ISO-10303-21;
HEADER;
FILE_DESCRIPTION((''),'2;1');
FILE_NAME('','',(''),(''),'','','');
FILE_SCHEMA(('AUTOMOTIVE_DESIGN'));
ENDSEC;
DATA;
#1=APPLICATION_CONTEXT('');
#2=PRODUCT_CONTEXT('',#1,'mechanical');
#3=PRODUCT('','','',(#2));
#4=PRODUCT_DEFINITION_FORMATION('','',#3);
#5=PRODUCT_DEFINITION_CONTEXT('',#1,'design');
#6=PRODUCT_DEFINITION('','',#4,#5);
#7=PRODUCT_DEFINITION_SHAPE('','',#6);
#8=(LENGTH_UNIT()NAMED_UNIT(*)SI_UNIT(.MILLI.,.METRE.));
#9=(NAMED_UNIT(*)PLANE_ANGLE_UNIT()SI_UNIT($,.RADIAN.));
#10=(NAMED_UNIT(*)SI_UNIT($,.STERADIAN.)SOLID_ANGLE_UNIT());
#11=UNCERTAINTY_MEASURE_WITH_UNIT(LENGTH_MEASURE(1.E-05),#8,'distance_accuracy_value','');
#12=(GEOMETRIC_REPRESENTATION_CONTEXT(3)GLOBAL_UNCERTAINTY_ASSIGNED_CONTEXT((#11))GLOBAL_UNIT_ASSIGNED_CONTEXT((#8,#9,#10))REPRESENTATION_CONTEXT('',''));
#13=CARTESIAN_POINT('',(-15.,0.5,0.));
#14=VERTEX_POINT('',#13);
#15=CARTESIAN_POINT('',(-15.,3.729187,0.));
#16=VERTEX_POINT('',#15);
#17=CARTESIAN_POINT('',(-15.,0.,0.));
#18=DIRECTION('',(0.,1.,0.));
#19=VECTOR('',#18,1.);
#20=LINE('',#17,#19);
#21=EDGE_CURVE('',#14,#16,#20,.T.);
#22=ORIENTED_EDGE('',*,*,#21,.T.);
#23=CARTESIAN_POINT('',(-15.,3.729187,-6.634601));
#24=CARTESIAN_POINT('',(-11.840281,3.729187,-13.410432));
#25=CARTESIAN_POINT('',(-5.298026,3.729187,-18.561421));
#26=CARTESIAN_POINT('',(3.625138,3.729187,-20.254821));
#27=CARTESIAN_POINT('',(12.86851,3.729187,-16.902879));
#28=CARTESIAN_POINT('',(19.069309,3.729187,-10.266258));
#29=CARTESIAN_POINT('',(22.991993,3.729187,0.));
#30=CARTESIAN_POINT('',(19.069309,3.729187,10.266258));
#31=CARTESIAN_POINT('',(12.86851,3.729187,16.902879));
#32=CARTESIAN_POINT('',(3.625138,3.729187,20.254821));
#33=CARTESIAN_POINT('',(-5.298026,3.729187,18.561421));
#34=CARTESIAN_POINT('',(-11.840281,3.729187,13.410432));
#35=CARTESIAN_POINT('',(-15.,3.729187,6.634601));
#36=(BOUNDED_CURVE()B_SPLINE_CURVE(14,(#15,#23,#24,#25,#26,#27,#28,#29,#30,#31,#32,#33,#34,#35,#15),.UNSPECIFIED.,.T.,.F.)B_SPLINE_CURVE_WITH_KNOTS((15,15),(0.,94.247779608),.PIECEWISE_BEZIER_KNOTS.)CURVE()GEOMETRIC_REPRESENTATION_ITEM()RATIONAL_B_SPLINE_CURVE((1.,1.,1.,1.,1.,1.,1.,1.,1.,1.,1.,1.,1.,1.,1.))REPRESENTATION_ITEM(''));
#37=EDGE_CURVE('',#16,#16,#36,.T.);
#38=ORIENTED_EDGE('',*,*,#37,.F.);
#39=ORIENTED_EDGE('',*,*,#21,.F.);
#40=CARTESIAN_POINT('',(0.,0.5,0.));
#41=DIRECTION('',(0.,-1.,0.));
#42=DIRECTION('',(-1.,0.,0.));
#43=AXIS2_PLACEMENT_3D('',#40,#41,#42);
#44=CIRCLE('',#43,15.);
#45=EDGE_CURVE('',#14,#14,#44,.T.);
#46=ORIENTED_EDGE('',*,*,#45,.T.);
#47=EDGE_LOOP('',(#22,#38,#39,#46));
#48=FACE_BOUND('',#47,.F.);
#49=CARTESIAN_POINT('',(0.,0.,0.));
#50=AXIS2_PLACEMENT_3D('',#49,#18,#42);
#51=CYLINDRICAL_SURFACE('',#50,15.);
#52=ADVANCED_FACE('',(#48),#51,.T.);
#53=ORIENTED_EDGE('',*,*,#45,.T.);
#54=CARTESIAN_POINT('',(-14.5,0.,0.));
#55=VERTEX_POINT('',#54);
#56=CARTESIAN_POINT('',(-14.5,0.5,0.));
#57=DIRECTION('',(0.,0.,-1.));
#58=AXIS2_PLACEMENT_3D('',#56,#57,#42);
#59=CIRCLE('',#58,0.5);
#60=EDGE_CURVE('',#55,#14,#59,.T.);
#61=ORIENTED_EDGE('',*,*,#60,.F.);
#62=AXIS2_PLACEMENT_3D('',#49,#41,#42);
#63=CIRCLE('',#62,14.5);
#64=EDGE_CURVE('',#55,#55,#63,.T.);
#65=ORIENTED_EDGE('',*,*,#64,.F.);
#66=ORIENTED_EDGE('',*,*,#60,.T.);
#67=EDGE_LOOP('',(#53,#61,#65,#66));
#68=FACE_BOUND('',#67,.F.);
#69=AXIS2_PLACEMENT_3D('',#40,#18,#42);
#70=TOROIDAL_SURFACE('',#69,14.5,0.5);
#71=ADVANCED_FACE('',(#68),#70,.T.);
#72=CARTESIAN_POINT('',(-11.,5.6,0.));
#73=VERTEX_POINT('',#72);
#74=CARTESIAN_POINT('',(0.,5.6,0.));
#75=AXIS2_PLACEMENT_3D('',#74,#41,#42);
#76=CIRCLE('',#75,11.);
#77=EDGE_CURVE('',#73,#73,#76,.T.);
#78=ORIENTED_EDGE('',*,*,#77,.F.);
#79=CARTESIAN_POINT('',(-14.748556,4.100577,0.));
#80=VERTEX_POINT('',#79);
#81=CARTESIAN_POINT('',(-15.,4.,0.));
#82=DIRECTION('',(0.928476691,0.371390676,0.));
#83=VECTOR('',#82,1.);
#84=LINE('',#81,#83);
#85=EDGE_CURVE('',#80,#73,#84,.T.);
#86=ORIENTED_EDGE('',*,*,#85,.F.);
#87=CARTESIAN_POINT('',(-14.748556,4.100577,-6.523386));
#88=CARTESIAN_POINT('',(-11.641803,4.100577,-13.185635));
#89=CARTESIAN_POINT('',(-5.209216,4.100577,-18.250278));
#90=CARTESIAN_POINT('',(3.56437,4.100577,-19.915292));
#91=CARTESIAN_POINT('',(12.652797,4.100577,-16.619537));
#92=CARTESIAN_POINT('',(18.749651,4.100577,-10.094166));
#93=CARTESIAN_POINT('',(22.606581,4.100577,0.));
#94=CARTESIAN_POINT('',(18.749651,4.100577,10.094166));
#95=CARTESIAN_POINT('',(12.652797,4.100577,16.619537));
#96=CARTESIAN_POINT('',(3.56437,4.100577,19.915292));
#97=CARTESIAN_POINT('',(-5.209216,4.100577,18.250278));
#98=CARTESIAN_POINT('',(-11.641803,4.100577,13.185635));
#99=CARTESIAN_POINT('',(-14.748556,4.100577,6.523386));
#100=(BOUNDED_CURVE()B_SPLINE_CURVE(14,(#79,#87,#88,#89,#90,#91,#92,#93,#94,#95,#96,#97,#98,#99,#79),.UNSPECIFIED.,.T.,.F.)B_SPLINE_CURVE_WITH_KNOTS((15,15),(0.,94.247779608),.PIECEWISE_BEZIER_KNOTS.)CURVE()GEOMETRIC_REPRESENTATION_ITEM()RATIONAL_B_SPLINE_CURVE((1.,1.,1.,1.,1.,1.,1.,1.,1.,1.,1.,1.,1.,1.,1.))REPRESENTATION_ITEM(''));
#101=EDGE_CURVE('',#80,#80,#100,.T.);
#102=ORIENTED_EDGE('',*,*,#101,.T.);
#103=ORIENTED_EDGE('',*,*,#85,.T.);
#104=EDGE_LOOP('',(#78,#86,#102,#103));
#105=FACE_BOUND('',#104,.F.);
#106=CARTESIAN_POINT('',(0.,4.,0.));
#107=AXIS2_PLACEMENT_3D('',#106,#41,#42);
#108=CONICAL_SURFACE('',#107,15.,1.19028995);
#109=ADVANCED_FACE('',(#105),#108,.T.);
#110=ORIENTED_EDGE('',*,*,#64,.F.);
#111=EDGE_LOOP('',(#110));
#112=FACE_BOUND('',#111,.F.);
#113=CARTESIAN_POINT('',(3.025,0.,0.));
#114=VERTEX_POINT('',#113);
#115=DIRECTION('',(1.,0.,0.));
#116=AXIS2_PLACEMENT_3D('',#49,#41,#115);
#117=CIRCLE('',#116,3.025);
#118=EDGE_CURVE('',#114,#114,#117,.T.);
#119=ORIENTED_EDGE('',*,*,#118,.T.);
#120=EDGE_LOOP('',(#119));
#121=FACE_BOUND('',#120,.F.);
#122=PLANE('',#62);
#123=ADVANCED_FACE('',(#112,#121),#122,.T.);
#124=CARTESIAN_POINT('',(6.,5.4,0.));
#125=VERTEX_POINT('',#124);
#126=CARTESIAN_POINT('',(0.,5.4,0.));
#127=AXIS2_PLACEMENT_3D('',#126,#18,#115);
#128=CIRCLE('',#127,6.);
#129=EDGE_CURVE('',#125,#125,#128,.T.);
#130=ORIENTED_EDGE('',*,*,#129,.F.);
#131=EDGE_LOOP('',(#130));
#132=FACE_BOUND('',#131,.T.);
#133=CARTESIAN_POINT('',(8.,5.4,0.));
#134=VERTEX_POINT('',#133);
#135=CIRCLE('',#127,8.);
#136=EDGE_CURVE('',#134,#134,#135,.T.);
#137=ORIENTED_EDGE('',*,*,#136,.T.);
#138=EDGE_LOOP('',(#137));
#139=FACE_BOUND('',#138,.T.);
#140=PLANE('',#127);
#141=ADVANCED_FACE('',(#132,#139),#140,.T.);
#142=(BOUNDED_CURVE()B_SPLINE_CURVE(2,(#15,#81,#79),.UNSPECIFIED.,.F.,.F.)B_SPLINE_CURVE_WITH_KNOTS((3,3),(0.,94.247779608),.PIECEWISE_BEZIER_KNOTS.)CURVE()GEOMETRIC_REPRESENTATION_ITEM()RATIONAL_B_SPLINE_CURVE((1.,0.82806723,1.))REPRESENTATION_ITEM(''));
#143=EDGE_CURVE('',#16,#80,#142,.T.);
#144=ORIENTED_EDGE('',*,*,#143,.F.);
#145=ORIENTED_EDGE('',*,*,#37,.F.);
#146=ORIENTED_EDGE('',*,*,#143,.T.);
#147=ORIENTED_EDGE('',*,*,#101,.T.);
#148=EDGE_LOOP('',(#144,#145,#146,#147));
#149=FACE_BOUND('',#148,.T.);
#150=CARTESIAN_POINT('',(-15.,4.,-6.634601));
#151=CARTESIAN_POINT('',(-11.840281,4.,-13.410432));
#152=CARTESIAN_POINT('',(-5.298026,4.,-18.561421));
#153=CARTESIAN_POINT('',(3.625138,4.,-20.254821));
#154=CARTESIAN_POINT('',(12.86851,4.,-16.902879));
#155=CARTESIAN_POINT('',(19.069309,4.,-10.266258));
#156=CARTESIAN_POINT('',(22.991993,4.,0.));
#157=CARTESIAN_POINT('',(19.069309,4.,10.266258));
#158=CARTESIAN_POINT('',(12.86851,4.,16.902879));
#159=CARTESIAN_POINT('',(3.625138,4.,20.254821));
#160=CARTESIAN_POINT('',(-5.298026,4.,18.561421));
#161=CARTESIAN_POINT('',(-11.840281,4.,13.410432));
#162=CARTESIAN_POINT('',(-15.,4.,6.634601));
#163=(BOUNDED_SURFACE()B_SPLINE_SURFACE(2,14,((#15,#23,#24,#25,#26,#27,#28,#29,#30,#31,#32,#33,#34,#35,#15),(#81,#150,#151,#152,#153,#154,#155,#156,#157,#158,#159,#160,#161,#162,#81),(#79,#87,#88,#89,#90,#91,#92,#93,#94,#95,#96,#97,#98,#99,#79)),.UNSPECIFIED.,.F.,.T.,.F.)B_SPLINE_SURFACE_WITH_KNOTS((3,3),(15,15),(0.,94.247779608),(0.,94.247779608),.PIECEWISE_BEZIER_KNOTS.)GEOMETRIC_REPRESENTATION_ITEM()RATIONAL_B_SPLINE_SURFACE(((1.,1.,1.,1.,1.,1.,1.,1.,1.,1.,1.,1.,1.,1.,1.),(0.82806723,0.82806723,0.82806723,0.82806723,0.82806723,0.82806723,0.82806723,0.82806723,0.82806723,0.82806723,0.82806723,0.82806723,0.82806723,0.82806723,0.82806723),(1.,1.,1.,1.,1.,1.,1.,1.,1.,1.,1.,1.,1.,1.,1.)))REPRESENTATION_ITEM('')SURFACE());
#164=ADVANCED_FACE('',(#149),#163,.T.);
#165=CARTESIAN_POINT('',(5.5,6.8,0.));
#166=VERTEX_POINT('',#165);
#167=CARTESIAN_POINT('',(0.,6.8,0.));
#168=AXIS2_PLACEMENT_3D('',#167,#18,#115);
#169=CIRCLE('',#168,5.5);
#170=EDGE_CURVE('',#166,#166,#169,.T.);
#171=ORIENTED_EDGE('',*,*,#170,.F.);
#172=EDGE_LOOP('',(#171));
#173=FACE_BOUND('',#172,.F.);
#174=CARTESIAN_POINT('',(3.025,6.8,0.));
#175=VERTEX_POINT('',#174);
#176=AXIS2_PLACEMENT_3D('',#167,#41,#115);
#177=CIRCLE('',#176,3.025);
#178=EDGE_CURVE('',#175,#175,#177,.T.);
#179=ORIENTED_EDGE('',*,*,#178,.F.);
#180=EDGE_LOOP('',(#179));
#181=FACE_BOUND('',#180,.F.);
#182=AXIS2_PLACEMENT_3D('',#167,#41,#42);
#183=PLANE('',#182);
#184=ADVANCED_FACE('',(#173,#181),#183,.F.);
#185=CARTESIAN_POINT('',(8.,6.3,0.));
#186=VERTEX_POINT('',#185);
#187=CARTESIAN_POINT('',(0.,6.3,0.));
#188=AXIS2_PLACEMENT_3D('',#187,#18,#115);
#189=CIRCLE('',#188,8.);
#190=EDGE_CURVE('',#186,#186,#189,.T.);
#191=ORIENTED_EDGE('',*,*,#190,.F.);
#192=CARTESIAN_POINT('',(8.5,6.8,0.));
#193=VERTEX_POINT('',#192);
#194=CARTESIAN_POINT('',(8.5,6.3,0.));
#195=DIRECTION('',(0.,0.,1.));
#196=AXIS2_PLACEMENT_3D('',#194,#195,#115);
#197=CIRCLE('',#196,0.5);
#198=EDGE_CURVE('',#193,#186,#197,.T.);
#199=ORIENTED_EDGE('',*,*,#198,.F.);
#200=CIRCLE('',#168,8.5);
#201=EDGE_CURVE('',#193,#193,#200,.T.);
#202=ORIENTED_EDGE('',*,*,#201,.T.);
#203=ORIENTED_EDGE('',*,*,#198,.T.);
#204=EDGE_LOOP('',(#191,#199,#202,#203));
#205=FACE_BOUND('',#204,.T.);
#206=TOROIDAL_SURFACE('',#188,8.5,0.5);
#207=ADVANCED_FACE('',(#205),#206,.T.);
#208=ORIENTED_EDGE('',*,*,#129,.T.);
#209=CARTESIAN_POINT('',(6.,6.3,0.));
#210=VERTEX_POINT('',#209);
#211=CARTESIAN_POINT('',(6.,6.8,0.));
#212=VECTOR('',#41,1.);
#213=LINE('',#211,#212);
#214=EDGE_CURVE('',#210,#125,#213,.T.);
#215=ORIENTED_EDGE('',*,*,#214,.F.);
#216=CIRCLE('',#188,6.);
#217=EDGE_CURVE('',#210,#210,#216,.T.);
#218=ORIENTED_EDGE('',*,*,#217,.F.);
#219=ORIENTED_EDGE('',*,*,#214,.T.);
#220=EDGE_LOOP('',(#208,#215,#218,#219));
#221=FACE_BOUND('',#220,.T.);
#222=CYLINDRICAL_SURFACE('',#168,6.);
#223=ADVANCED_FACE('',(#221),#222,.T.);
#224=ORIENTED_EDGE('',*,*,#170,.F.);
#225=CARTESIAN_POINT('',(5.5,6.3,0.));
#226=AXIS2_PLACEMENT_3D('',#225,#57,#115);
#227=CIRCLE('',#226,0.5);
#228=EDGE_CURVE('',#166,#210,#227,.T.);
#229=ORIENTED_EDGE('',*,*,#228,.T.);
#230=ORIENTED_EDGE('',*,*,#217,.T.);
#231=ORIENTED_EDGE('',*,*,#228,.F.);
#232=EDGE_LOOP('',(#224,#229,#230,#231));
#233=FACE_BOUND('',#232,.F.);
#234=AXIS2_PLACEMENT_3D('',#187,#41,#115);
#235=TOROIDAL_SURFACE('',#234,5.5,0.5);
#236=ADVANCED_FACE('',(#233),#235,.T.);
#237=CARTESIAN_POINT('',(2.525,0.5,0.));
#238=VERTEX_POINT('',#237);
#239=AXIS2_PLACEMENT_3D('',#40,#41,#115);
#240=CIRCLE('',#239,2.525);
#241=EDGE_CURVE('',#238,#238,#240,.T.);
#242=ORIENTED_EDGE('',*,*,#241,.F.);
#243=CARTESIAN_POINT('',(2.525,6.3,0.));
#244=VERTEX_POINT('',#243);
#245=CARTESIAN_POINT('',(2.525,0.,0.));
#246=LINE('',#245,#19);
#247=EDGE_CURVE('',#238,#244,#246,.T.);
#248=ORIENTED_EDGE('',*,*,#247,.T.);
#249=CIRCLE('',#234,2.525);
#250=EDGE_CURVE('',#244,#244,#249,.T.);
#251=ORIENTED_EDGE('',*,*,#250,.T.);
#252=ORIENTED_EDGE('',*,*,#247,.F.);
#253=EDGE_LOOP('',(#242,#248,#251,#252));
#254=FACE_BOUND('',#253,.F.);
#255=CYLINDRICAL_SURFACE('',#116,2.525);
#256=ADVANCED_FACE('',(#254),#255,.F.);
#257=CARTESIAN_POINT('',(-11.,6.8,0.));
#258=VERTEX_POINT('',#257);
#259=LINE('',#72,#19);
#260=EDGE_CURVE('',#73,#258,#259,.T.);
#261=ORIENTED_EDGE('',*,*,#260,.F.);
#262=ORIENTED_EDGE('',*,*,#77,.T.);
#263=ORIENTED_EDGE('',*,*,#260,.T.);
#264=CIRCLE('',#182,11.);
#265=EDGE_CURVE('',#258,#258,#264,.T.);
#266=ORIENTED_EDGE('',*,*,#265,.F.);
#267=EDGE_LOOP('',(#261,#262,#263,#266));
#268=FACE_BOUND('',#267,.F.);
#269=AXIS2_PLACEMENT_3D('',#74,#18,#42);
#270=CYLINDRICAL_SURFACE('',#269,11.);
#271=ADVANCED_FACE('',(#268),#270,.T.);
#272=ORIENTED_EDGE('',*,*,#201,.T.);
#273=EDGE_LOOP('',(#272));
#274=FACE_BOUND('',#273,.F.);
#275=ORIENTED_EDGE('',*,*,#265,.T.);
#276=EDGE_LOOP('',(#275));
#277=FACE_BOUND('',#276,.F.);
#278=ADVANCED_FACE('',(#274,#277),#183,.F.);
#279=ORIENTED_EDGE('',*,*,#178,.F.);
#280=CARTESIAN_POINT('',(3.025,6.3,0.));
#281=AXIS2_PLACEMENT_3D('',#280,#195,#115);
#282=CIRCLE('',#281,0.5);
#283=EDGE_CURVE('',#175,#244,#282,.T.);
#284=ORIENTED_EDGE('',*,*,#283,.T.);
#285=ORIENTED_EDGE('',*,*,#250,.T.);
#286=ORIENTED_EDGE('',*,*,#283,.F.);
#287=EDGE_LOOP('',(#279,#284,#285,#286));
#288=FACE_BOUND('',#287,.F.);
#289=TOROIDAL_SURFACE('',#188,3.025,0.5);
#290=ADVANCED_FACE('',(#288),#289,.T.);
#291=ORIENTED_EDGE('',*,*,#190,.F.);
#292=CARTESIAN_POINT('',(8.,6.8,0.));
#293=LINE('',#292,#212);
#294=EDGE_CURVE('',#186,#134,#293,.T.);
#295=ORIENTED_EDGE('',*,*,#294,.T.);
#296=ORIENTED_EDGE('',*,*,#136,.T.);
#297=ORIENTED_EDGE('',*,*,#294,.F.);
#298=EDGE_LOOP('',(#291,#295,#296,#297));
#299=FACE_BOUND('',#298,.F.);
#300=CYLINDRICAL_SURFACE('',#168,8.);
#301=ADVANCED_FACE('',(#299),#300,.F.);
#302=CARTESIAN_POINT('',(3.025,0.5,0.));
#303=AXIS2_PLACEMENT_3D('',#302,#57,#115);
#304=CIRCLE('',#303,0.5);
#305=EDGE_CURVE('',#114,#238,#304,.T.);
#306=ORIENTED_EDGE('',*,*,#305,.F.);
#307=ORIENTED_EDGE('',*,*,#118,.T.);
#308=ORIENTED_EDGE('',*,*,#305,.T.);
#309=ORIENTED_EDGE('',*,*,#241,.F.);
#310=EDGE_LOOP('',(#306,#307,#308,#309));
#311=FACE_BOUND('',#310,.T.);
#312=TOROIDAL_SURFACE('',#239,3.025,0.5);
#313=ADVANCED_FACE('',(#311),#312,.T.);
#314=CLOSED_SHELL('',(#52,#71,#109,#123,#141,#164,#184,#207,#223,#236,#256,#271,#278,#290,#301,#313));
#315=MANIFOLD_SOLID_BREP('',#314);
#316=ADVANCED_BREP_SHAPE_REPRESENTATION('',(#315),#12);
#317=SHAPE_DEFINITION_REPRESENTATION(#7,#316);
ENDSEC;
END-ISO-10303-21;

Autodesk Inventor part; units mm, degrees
ref_plane "YZ Plane" through (0, 0, 0) normal (1, 0, 0) x (0, 1, 0)
ref_plane "XZ Plane" through (0, 0, 0) normal (0, 1, 0) x (-1, 0, 0)
ref_plane "XY Plane" through (0, 0, 0) normal (0, 0, 1) x (1, 0, 0)
sketch "Sketch1" plane through (0, 0, 0) normal (0, 0, 1) x (1, 0, 0)
  line L0 (0, 0) -> (-15, 0)
  line L1 (-15, 0) -> (-15, 4)
  line L2 (-15, 4) -> (-11, 5.6)
  line L3 (-11, 5.6) -> (-11, 6.8)
  line L4 (-11, 6.8) -> (0, 6.8)
  line L5 (0, 6.8) -> (0, 0)
  dimension "d1" = 4
  dimension "d5" = 1.2
  dimension "d12" = 11
  dimension "d13" = 2.8
  dimension "d14" = 4
revolve "Revolution1" add sketch "Sketch1" angle 360 about axis through (0, 6.8, 0) along (0, -1, 0)
fillet "Fillet1" radius 0.5 1 edges at (15, 0, 0)
sketch "Sketch3" plane through (0, 0, 0) normal (0, -1, 0) x (1, 0, 0)
  circle A0 centre (0, 0) radius 2.525
  point P0 (0, 0)
  dimension "d15" = 5.05
extrude "Extrusion2" cut sketch "Sketch3" against normal up to surface (6.8 mm away)
fillet "Fillet2" radius 0.4 1 edges at (15, 4, 0)
sketch "Sketch4" plane through (0, 6.8, 0) normal (0, 1, 0) x (1, 0, 0)
  circle A0 centre (0, 0) radius 8
  circle A1 centre (0, 0) radius 6
  point P0 (0, 0)
  dimension "d19" = 16
  dimension "d20" = 2
extrude "Extrusion3" cut sketch "Sketch4" against normal blind 1.4
fillet "Fillet3" radius 0.5 2 edges at (-8, 6.8, 0) (-6, 6.8, 0)
fillet "Fillet4" radius 0.5 2 edges at (-2.525, 6.8, 0) (-2.525, 0, 0)
properties part number "pulley_part_2"
